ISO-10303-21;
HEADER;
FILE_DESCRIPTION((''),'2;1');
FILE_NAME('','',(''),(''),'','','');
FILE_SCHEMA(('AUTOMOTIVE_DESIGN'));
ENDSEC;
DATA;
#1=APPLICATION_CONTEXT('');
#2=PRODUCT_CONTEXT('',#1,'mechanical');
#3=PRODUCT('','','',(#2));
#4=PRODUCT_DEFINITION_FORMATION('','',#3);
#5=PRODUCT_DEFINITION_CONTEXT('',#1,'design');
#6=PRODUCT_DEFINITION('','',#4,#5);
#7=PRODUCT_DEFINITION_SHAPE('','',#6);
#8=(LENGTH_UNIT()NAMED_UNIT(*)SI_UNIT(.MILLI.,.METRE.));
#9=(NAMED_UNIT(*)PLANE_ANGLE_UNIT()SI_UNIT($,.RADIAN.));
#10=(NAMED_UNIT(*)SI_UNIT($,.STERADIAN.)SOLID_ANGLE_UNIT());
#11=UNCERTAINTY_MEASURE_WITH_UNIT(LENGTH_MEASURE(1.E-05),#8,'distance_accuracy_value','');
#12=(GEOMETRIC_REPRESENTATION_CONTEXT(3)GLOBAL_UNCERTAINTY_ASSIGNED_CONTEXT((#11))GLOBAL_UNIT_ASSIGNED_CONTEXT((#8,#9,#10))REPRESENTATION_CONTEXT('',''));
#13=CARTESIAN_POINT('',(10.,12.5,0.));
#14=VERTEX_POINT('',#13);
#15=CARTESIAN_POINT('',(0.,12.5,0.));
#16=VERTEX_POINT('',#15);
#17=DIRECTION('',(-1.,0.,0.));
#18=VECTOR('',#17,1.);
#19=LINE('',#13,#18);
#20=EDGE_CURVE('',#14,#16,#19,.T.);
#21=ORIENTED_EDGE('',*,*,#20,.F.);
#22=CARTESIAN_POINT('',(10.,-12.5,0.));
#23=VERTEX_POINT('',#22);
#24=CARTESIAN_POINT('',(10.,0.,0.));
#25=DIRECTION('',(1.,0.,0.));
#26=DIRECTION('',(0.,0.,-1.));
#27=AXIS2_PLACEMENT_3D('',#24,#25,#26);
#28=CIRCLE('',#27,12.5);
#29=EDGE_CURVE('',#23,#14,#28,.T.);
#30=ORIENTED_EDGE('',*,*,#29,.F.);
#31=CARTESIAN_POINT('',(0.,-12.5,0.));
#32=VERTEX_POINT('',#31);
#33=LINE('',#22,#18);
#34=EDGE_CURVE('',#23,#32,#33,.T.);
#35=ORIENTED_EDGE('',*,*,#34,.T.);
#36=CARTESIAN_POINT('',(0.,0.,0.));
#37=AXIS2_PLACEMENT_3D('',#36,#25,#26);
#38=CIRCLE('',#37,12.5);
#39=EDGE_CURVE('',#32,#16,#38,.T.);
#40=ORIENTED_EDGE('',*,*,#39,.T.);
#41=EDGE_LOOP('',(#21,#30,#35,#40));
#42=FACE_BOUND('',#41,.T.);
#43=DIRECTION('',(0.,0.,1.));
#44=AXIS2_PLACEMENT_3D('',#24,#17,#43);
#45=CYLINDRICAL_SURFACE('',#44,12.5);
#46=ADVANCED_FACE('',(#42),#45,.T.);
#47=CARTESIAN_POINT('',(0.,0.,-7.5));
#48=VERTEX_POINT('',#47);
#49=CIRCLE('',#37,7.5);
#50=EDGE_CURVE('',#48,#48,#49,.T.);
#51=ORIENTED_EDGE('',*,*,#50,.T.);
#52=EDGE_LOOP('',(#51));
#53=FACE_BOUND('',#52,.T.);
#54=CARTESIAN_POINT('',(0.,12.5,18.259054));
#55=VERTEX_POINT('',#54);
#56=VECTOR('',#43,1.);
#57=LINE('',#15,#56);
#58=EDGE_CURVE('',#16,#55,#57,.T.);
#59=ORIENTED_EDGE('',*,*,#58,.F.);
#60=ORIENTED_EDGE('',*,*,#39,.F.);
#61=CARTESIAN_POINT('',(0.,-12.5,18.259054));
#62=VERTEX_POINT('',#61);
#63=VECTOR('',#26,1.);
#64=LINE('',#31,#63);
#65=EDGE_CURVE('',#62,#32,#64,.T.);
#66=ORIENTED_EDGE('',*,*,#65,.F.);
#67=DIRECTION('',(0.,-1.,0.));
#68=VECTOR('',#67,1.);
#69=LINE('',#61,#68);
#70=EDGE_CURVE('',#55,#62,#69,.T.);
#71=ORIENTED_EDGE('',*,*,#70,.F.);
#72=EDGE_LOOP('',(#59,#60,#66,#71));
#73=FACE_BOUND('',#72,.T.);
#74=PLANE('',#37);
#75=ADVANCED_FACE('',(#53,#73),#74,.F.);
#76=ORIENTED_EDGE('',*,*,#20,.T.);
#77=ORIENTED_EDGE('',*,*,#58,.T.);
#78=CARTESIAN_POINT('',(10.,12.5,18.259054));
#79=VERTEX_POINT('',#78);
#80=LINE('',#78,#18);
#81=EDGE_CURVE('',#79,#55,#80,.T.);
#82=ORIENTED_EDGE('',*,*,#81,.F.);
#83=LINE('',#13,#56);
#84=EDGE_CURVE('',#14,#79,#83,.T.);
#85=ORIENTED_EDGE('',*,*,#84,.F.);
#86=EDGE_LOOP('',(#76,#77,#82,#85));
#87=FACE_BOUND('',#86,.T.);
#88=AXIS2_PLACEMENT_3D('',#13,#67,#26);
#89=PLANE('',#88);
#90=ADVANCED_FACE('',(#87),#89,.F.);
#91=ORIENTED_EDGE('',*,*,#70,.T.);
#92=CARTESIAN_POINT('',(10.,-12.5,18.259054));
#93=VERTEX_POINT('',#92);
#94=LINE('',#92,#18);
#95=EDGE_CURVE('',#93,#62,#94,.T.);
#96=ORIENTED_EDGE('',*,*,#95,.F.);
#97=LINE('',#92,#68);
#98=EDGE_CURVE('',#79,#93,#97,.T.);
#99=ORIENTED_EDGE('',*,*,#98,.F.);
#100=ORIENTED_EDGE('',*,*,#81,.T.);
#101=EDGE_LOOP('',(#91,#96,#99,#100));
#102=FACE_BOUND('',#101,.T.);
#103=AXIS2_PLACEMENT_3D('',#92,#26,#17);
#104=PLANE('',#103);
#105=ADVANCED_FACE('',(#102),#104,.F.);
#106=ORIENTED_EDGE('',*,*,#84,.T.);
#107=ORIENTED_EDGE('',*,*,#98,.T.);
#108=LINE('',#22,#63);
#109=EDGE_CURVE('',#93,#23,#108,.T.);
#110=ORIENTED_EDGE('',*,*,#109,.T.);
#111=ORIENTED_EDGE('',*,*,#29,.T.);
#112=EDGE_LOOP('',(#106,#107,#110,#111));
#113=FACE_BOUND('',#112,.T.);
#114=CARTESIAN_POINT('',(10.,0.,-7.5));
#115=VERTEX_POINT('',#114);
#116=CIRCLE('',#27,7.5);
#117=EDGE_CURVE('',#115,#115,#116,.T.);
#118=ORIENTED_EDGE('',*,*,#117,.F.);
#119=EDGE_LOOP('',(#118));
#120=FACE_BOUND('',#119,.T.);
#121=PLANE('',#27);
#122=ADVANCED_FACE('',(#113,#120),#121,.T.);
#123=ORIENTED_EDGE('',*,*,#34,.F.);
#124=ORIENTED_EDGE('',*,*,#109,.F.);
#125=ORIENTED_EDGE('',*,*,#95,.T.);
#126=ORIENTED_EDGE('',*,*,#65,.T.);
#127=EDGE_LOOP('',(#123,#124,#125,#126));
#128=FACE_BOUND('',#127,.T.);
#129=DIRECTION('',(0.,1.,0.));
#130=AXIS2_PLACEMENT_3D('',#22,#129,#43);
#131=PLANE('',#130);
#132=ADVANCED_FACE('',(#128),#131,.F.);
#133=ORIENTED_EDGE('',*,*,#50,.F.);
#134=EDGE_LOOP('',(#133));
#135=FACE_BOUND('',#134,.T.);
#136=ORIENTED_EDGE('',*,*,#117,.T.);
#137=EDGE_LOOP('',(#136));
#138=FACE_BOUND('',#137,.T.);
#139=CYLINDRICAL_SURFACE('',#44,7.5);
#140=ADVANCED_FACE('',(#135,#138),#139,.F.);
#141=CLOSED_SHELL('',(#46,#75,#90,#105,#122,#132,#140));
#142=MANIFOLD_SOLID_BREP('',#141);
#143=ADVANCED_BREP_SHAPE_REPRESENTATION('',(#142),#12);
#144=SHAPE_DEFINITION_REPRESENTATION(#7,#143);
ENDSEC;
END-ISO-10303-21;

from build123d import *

# Parameters (mm, degrees)
SKETCH1_R           = 7.5
BOSS_EXTRUDE1_DEPTH = 10


with BuildPart() as part:
    # Sketch1 → Boss-Extrude1 (new body)
    with BuildSketch(Plane(origin=(0, 0, 0), x_dir=(0, 0, -1), z_dir=(1, 0, 0))):
        with BuildLine():
            Line((0, 12.5), (-18.2590535, 12.5))
            Line((-18.2590535, 12.5), (-18.2590535, -12.5))
            Line((-18.2590535, -12.5), (0, -12.5))
            ThreePointArc((0, -12.5), (12.5, 0), (0, 12.5))
        make_face()
        Circle(SKETCH1_R, mode=Mode.SUBTRACT)
    extrude(amount=BOSS_EXTRUDE1_DEPTH)


solid = part.part
